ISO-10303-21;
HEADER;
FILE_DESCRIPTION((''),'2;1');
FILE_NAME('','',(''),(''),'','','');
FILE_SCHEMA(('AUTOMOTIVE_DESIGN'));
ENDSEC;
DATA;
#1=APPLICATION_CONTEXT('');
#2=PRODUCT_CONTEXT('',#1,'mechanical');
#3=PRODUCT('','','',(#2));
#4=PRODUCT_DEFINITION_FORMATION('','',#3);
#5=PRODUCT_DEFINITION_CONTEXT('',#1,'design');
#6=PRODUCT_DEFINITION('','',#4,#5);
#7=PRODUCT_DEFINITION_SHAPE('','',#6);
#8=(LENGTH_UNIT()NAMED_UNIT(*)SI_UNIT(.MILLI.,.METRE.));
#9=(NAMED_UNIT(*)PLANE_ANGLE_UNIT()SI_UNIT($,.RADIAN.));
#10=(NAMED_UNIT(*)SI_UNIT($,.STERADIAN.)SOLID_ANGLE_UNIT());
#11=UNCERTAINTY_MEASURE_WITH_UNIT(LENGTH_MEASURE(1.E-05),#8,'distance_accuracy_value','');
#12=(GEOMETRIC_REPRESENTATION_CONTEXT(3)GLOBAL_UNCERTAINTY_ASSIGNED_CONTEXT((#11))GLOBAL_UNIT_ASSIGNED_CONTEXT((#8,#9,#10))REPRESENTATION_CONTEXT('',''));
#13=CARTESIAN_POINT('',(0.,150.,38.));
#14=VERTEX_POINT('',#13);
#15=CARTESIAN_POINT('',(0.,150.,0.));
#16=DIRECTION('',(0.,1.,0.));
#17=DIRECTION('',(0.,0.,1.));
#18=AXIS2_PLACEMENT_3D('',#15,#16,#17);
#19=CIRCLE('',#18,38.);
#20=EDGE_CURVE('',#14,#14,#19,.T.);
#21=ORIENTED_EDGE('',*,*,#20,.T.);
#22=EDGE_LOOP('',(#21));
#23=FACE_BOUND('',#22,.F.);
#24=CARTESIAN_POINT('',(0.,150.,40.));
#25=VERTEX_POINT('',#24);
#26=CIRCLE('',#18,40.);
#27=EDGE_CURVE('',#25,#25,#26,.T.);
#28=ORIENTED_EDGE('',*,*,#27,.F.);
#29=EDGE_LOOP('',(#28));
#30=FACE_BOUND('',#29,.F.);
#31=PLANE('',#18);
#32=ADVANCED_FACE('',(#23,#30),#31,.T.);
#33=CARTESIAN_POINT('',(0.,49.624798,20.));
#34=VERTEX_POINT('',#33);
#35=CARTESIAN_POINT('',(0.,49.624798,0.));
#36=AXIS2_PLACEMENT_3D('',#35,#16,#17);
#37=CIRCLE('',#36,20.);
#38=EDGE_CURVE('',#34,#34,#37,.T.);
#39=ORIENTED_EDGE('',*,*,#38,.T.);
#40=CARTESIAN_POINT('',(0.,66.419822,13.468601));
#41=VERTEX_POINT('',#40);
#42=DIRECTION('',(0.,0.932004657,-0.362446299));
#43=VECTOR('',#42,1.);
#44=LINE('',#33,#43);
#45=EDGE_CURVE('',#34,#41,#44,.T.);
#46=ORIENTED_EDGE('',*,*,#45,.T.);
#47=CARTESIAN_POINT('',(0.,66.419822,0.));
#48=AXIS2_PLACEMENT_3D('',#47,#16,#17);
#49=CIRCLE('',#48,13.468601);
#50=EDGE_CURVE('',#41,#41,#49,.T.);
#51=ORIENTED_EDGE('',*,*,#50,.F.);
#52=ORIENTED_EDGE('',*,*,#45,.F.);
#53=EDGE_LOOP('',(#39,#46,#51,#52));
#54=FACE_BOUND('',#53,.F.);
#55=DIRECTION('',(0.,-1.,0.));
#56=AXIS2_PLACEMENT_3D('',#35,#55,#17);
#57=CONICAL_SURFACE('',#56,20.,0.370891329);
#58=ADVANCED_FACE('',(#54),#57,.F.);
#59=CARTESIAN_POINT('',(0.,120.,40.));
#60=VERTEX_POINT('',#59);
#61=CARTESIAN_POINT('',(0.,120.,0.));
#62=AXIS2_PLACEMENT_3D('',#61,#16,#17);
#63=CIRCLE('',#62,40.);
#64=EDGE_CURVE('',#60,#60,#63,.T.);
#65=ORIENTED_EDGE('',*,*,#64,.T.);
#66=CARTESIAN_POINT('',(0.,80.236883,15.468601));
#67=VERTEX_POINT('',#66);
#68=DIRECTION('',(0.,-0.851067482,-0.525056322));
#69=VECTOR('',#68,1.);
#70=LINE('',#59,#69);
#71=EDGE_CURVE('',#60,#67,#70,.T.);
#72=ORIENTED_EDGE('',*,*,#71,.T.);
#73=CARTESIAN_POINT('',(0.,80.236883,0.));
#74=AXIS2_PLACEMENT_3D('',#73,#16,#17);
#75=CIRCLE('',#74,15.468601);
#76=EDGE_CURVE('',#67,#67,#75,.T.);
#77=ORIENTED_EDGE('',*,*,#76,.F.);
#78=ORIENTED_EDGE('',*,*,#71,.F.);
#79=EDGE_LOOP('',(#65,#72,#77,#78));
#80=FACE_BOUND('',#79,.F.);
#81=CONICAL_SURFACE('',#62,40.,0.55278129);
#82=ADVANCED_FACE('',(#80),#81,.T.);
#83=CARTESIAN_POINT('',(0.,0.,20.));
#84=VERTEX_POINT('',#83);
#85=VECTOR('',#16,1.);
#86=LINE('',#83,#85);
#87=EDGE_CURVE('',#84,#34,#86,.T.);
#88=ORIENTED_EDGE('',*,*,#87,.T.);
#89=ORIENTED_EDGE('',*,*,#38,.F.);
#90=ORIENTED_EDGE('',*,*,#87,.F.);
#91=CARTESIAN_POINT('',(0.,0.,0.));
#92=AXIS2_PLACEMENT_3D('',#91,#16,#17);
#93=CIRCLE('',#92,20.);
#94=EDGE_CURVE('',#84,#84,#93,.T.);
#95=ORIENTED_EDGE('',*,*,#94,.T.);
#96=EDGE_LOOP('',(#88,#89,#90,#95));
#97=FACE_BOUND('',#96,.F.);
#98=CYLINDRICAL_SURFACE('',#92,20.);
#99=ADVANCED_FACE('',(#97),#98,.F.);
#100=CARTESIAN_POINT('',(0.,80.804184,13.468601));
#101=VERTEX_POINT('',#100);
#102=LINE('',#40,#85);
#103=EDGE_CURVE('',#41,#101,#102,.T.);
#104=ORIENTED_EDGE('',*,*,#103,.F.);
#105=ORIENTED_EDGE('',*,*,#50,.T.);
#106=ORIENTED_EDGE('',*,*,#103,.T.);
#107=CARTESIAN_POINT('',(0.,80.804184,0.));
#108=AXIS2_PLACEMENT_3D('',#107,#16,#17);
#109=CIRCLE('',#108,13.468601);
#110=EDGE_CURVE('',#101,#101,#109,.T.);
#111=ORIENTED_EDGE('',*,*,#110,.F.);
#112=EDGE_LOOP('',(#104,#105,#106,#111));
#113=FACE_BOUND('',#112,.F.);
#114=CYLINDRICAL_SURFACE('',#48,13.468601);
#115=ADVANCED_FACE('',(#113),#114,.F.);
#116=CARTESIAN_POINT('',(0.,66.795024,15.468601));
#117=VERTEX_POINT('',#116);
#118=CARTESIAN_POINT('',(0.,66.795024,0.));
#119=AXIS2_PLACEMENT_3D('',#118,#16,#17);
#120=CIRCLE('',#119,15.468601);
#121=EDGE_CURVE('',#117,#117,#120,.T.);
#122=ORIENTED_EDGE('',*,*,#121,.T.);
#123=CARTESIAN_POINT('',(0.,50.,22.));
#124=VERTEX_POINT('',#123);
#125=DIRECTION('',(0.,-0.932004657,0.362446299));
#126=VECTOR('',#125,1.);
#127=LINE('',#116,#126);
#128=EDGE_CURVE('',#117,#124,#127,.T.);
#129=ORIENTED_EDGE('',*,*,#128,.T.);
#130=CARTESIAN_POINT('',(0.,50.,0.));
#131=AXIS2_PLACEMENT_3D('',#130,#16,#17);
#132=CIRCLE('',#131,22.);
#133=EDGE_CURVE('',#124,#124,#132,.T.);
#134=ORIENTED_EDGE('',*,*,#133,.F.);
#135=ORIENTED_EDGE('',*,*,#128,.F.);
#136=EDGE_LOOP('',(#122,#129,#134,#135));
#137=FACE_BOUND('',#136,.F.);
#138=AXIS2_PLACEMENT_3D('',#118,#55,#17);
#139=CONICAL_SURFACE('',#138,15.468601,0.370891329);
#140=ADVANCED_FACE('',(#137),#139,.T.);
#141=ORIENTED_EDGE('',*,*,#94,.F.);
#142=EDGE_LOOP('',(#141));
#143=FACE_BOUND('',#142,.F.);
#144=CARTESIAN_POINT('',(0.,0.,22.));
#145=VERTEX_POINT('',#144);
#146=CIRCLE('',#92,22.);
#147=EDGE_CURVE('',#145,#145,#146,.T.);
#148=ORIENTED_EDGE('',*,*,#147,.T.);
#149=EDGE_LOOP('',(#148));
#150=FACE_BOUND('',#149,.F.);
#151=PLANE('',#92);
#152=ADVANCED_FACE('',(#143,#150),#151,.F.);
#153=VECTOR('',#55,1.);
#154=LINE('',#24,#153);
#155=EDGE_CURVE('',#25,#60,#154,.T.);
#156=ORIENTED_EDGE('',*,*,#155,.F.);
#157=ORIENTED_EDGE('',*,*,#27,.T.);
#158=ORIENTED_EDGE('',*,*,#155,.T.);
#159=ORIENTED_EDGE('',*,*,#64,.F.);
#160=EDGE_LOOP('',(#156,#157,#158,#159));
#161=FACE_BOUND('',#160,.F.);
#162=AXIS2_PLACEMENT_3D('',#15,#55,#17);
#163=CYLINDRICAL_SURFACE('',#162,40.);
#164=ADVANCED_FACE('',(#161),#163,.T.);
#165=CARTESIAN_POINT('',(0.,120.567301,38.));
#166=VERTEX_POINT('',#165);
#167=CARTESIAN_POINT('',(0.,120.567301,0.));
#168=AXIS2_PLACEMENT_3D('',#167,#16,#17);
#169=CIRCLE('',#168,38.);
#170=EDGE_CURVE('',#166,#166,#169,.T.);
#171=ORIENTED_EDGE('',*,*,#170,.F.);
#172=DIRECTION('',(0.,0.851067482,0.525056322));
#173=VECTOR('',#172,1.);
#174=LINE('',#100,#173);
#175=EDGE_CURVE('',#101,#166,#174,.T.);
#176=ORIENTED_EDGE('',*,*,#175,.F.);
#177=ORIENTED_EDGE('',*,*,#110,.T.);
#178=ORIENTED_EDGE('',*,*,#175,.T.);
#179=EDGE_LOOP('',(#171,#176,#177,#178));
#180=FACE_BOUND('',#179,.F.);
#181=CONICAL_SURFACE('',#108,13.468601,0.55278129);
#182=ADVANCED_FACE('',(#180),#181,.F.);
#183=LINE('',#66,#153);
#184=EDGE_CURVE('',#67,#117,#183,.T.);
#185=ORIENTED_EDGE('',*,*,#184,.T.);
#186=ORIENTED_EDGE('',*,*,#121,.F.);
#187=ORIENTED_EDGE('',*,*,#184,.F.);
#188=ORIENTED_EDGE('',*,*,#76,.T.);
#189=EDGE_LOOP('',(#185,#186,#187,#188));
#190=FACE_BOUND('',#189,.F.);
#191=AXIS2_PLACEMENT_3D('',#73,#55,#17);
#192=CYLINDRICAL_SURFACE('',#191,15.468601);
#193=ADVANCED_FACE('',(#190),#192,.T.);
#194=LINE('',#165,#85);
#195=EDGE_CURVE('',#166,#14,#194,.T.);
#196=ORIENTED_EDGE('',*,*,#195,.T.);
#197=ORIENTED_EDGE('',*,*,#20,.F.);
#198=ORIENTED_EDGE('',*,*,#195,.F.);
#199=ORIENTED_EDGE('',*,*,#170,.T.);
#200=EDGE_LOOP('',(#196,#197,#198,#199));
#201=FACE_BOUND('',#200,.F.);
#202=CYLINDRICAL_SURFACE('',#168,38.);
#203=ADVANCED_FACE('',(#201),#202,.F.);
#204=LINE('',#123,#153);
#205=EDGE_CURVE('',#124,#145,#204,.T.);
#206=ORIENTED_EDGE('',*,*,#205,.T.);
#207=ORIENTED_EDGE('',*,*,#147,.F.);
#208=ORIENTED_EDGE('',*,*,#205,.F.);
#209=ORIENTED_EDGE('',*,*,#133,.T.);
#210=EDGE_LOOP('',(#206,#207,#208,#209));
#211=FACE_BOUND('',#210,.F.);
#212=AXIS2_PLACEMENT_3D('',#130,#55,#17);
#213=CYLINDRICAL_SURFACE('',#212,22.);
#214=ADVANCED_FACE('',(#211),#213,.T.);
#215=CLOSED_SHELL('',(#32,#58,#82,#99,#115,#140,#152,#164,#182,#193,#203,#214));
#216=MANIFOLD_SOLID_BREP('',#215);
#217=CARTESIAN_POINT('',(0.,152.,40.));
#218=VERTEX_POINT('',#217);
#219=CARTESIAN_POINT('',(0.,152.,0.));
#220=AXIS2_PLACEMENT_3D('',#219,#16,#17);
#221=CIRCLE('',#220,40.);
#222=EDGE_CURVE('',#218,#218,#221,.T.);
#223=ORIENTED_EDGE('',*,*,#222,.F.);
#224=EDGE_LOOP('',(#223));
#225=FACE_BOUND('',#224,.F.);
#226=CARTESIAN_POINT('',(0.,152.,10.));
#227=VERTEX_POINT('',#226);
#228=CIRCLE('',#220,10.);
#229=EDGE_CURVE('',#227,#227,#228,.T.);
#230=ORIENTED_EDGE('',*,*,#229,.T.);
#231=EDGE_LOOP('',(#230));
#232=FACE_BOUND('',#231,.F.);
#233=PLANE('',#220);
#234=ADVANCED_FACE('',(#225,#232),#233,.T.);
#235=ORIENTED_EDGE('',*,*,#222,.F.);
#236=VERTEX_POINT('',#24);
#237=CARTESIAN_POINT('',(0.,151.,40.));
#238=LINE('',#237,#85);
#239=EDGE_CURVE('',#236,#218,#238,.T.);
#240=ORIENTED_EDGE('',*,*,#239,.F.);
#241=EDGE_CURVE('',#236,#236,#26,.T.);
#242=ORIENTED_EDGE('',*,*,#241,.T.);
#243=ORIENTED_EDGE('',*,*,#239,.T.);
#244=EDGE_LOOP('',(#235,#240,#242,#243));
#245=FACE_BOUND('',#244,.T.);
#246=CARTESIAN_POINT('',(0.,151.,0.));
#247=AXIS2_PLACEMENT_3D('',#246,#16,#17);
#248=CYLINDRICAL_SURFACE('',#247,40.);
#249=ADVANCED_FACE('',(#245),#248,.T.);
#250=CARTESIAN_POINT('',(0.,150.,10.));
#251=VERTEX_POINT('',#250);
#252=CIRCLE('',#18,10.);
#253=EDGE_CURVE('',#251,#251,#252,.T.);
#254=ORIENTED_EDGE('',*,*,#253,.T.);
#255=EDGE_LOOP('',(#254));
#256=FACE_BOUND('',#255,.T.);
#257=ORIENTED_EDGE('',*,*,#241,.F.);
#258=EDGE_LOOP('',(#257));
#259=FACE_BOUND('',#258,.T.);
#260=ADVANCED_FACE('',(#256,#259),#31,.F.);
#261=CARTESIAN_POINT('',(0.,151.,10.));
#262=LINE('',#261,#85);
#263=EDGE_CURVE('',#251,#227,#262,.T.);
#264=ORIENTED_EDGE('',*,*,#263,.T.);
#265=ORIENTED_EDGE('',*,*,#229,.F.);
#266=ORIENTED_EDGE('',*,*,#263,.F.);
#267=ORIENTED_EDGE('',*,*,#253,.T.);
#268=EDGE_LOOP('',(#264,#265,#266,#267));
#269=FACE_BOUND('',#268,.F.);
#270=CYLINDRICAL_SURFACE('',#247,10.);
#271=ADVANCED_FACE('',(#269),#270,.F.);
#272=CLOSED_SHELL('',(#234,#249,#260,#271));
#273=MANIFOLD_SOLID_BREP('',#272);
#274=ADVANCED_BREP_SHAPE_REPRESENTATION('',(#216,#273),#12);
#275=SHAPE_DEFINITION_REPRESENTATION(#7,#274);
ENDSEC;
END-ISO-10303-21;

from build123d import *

# Parameters (mm, degrees)
F2_W = 2
F2_H = 30


with BuildPart() as f1:
    # F0 (on Right) → F1 (revolve)
    with BuildSketch(Plane.YZ):
        Polygon((50, 22), (0, 22), (0, 20), (49.624798, 20), (66.419822, 13.468601), (80.804184, 13.468601), (120.567301, 38), (150, 38), (150, 40), (120, 40), (80.236883, 15.468601), (66.795024, 15.468601), align=None)
    revolve(axis=Axis((0, 94.187401, 0), (0, 1, 0)))


with BuildPart() as f3:
    # F2 (on Right) → F3 (revolve)
    with BuildSketch(Plane.YZ):
        with Locations((151, 25)):
            Rectangle(F2_W, F2_H)
    revolve(axis=Axis((0, 91.58729, 0), (0, 1, 0)))


solid = Compound([f1.part, f3.part])
